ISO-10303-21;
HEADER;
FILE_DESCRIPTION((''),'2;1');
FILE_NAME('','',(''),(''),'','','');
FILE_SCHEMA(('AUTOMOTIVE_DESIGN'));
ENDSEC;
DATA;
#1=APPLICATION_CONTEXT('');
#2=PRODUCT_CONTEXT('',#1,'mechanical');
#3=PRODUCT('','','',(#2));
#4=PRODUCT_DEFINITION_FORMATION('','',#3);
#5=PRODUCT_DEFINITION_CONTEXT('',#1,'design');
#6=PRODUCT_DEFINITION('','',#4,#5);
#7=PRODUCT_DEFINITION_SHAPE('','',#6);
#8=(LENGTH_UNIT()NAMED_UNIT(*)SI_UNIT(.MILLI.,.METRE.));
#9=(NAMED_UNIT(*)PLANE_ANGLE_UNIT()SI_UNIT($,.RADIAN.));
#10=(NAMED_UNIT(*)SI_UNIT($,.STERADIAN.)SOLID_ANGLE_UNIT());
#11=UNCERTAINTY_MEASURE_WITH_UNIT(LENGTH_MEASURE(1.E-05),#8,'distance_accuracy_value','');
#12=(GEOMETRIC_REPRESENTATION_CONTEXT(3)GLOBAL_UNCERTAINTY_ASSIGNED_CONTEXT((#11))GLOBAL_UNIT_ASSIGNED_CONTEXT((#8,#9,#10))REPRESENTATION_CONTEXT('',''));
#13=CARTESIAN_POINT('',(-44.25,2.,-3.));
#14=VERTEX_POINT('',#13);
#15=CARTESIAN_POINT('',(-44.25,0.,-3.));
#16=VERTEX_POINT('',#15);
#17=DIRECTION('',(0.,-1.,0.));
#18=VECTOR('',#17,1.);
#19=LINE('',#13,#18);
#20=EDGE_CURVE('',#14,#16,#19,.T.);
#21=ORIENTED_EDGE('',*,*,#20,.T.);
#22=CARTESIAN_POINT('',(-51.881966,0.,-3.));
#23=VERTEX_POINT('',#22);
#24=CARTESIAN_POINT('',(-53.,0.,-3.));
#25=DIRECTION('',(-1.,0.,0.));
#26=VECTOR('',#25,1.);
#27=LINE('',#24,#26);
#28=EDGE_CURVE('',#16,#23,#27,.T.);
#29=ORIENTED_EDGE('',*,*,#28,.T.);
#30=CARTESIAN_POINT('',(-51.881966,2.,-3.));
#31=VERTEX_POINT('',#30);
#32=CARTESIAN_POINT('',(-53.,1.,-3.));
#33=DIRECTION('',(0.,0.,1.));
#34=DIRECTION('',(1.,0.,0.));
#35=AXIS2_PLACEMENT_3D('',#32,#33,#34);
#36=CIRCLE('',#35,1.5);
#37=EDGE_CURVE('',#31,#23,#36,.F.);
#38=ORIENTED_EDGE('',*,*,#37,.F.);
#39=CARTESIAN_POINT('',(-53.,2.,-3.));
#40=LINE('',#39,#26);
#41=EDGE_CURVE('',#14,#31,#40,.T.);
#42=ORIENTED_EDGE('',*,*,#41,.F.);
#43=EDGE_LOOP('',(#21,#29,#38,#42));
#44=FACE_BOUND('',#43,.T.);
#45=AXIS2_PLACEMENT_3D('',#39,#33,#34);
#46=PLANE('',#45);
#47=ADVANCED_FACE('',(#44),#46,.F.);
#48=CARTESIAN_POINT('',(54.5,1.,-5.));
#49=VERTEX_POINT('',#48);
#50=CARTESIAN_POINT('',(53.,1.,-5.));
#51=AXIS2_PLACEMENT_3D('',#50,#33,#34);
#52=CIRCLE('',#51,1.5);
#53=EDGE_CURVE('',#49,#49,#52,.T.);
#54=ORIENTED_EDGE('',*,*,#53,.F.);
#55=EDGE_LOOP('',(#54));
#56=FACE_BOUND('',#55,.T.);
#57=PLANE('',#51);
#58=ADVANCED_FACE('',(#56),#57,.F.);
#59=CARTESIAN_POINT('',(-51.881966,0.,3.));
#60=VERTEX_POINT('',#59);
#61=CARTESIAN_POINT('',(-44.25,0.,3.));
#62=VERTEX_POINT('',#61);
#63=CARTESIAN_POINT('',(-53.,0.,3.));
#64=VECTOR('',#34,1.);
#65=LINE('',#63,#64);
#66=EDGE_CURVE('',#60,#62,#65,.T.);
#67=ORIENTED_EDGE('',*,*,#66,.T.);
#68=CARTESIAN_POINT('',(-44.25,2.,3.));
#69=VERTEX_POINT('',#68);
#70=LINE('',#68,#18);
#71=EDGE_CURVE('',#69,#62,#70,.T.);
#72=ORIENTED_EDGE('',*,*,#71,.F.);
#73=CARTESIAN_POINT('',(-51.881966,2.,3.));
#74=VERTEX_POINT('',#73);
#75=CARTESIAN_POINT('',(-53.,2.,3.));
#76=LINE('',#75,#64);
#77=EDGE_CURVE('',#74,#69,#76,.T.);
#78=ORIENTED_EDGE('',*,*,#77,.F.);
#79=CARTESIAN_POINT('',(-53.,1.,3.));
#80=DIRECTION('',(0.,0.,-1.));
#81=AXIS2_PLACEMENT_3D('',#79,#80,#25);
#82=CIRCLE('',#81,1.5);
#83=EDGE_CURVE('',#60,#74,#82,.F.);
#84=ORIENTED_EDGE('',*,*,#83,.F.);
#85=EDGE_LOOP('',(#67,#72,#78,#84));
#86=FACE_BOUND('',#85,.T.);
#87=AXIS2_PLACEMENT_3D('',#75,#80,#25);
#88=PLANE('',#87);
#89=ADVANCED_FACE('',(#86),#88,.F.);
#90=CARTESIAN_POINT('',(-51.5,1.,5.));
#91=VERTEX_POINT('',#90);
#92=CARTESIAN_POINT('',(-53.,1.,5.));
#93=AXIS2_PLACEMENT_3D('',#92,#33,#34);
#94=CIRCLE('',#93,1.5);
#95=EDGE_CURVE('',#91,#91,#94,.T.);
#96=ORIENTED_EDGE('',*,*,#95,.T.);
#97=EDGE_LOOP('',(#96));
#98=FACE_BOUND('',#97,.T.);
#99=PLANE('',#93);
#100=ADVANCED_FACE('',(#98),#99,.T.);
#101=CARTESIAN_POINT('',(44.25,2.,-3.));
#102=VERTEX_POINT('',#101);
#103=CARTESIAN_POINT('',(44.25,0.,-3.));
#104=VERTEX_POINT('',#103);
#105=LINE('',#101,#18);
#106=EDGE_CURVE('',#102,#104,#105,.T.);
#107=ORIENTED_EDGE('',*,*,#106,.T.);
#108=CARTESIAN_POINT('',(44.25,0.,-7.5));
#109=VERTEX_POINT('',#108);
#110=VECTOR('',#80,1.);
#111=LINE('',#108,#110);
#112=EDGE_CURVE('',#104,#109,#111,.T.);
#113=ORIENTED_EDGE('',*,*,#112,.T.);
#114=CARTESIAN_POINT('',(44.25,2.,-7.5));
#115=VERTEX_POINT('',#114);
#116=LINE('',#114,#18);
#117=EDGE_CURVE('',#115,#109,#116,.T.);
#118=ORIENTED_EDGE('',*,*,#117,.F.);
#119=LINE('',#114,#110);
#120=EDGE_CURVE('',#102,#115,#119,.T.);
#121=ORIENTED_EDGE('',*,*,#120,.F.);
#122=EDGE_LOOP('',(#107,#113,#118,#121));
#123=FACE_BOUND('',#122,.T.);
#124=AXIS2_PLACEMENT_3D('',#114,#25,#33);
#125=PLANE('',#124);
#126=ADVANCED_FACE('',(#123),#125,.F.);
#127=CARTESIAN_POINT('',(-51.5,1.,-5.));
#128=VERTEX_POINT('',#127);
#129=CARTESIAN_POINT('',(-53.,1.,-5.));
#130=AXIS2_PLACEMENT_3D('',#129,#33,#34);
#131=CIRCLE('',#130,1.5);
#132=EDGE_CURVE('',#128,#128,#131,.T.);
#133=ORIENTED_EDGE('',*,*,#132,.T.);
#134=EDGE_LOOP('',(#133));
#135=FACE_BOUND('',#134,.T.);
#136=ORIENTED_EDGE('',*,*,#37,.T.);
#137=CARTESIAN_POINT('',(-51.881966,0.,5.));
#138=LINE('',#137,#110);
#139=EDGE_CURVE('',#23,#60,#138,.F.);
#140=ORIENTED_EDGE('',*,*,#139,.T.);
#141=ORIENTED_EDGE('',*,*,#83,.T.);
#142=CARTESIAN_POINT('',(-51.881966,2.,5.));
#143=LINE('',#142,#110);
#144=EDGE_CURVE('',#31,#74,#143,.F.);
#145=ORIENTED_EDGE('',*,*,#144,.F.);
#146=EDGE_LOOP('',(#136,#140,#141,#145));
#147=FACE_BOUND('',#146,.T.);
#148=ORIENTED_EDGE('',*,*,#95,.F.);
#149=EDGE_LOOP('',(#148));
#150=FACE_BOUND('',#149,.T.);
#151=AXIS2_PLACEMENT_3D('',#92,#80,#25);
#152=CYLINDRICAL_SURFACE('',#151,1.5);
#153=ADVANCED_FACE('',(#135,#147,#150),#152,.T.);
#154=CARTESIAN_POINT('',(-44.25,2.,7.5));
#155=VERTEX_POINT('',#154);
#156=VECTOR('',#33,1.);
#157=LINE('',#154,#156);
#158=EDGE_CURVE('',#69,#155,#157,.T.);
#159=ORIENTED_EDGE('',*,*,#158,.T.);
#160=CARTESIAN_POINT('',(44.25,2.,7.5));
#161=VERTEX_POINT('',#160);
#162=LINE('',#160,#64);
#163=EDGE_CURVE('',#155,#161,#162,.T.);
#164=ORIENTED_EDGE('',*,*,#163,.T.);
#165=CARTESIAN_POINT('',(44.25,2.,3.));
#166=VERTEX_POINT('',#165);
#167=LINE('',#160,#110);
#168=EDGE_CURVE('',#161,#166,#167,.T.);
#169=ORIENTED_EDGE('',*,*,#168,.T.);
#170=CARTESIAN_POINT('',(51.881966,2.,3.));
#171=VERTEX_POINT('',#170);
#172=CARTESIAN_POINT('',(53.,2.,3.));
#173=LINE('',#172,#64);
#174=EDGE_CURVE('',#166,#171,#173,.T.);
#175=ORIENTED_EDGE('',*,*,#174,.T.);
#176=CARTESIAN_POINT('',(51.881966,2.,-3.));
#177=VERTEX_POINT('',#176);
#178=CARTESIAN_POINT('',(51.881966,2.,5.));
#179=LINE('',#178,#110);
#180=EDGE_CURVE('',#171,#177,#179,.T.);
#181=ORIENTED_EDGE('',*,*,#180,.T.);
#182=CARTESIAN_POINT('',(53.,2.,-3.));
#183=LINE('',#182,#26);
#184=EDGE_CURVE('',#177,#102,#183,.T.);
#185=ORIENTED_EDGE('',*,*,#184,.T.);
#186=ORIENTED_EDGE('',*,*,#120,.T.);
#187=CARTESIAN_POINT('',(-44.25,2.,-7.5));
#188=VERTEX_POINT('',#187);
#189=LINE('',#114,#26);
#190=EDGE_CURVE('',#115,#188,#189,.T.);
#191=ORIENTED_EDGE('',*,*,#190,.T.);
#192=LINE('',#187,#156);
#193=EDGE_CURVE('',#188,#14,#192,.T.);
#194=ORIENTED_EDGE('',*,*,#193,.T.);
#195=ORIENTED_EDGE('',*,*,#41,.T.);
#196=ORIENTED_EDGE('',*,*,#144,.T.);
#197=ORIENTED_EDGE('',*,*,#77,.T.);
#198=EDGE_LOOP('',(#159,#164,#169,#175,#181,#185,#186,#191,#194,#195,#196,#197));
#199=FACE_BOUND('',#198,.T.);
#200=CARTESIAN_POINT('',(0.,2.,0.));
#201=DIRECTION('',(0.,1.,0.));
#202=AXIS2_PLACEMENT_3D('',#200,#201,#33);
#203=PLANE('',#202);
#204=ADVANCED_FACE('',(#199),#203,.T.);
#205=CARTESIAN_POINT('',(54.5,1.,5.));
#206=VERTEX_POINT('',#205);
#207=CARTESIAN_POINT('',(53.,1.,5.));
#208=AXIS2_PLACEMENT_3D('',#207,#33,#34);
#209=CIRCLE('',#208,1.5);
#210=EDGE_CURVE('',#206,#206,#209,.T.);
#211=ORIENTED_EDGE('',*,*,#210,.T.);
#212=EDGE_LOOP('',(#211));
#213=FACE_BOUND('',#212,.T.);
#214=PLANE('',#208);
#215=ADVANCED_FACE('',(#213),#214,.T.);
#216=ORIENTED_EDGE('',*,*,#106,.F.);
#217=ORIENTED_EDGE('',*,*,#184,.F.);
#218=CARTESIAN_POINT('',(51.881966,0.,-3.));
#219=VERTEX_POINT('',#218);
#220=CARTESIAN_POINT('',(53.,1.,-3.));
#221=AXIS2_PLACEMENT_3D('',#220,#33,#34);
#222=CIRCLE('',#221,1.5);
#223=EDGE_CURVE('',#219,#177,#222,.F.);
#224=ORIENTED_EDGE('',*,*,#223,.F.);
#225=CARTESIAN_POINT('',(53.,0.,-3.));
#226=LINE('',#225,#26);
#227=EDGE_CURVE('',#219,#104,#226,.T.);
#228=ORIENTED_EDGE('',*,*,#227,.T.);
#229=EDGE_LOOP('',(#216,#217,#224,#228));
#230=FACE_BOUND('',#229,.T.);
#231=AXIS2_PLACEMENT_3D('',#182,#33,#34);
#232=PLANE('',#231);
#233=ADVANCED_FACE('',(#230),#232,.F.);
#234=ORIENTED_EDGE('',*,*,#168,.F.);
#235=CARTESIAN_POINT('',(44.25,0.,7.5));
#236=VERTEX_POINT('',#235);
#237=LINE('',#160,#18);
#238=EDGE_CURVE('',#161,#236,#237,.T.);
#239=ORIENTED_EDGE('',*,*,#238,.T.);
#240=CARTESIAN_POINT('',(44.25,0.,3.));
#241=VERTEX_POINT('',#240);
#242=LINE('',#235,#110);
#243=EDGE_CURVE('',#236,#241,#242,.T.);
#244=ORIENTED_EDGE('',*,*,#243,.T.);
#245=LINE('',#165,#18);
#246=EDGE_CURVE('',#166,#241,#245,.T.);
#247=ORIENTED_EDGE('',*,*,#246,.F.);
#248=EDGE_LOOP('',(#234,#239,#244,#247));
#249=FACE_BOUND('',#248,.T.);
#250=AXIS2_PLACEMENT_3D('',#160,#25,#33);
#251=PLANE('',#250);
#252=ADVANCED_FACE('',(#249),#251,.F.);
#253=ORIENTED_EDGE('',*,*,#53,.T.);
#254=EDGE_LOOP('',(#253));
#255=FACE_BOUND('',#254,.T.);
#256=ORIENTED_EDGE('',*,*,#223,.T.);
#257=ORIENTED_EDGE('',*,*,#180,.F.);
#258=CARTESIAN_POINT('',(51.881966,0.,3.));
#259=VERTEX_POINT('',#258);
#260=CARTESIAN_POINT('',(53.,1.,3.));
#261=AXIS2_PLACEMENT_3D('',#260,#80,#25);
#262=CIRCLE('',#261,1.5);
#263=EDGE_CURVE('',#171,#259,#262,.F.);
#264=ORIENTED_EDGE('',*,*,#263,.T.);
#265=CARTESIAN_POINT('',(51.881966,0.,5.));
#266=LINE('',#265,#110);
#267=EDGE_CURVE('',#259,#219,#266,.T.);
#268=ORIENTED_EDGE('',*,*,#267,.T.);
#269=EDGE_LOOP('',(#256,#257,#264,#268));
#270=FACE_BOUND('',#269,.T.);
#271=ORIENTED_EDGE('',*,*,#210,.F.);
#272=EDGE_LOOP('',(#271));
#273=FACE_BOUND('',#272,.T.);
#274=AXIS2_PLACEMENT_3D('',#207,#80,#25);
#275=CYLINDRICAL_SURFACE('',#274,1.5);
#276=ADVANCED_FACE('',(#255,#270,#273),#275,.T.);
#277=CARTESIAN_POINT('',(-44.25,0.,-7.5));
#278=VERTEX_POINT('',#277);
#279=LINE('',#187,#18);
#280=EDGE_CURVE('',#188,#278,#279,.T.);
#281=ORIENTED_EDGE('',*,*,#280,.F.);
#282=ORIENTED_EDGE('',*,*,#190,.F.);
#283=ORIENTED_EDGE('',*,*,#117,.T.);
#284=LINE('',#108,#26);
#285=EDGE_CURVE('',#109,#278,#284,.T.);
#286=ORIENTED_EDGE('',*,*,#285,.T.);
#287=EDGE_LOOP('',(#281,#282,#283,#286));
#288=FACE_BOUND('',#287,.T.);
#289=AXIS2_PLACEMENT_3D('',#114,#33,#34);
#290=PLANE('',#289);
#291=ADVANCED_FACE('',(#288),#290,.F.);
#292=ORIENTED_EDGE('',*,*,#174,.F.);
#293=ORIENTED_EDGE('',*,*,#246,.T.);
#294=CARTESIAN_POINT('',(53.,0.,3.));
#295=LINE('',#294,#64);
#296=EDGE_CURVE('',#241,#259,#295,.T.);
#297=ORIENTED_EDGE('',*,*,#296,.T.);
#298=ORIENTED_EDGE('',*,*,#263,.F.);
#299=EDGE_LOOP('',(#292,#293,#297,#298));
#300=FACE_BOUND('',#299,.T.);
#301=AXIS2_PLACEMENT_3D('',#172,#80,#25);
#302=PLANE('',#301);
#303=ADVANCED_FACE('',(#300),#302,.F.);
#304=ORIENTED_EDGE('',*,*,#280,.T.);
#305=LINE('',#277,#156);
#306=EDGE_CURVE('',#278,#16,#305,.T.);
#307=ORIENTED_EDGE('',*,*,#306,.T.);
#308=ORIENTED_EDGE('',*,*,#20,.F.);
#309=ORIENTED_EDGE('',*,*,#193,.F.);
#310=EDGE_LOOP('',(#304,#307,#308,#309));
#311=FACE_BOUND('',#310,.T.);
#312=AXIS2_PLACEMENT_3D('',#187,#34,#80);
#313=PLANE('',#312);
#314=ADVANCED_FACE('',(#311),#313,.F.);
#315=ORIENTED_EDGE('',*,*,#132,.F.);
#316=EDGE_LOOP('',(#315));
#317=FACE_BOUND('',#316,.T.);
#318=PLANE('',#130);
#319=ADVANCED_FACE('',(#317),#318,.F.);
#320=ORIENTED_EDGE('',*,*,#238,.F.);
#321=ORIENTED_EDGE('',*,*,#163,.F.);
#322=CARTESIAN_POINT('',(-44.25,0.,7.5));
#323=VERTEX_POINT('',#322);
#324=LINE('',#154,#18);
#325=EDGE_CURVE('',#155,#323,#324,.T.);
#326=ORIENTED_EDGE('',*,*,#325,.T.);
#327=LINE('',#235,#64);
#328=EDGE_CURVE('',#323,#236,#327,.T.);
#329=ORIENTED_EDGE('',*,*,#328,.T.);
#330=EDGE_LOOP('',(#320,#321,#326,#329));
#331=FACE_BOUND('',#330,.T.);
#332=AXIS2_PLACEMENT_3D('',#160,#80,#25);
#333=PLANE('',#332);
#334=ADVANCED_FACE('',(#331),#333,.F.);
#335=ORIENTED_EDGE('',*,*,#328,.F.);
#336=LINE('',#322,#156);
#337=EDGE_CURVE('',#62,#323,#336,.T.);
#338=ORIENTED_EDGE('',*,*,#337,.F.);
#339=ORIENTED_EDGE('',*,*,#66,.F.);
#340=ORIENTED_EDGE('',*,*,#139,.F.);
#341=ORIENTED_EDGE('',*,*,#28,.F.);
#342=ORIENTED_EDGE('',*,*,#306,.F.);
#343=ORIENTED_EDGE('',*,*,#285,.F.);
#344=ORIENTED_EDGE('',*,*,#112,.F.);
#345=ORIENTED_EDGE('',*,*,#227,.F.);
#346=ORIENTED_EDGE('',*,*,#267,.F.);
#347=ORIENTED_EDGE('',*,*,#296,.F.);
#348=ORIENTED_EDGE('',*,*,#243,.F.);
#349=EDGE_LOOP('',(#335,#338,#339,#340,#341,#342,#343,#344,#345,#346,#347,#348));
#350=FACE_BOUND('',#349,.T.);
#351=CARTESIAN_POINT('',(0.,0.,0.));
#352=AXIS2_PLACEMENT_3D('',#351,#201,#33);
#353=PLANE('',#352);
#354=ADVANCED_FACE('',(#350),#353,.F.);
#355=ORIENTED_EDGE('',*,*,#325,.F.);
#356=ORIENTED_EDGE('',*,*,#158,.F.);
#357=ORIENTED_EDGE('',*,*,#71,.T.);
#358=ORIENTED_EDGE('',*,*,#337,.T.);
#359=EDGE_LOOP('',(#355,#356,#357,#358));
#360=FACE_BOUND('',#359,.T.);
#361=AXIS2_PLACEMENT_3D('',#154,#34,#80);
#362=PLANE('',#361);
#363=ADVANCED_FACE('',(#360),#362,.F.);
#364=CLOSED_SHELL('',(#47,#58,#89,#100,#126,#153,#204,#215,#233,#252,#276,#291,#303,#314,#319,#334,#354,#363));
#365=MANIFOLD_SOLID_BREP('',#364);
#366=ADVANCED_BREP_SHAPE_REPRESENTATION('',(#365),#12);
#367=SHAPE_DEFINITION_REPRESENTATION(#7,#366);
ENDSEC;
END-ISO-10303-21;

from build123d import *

# Parameters (mm, degrees)
EXTRUDE_1_DEPTH = 2
SKETCH_2_R      = 1.5
EXTRUDE_2_DEPTH = 5


with BuildPart() as part:
    # 草图1 → 凸台-拉伸1 (new body)
    with BuildSketch(Plane(origin=(0, 0, 0), x_dir=(1, 0, 0), z_dir=(0, 1, 0))):
        Polygon((44.25, 7.5), (-44.25, 7.5), (-44.25, 3), (-53, 3), (-53, -3), (-44.25, -3), (-44.25, -7.5), (44.25, -7.5), (44.25, -3), (53, -3), (53, 3), (44.25, 3), align=None)
    extrude(amount=EXTRUDE_1_DEPTH)

    # 草图2 → 凸台-拉伸2 (add, symmetric)
    with BuildSketch(Plane.XY):
        with Locations((-53, 1)):
            Circle(SKETCH_2_R)
        with Locations((53, 1)):
            Circle(SKETCH_2_R)
    extrude(amount=EXTRUDE_2_DEPTH, both=True)


solid = part.part
